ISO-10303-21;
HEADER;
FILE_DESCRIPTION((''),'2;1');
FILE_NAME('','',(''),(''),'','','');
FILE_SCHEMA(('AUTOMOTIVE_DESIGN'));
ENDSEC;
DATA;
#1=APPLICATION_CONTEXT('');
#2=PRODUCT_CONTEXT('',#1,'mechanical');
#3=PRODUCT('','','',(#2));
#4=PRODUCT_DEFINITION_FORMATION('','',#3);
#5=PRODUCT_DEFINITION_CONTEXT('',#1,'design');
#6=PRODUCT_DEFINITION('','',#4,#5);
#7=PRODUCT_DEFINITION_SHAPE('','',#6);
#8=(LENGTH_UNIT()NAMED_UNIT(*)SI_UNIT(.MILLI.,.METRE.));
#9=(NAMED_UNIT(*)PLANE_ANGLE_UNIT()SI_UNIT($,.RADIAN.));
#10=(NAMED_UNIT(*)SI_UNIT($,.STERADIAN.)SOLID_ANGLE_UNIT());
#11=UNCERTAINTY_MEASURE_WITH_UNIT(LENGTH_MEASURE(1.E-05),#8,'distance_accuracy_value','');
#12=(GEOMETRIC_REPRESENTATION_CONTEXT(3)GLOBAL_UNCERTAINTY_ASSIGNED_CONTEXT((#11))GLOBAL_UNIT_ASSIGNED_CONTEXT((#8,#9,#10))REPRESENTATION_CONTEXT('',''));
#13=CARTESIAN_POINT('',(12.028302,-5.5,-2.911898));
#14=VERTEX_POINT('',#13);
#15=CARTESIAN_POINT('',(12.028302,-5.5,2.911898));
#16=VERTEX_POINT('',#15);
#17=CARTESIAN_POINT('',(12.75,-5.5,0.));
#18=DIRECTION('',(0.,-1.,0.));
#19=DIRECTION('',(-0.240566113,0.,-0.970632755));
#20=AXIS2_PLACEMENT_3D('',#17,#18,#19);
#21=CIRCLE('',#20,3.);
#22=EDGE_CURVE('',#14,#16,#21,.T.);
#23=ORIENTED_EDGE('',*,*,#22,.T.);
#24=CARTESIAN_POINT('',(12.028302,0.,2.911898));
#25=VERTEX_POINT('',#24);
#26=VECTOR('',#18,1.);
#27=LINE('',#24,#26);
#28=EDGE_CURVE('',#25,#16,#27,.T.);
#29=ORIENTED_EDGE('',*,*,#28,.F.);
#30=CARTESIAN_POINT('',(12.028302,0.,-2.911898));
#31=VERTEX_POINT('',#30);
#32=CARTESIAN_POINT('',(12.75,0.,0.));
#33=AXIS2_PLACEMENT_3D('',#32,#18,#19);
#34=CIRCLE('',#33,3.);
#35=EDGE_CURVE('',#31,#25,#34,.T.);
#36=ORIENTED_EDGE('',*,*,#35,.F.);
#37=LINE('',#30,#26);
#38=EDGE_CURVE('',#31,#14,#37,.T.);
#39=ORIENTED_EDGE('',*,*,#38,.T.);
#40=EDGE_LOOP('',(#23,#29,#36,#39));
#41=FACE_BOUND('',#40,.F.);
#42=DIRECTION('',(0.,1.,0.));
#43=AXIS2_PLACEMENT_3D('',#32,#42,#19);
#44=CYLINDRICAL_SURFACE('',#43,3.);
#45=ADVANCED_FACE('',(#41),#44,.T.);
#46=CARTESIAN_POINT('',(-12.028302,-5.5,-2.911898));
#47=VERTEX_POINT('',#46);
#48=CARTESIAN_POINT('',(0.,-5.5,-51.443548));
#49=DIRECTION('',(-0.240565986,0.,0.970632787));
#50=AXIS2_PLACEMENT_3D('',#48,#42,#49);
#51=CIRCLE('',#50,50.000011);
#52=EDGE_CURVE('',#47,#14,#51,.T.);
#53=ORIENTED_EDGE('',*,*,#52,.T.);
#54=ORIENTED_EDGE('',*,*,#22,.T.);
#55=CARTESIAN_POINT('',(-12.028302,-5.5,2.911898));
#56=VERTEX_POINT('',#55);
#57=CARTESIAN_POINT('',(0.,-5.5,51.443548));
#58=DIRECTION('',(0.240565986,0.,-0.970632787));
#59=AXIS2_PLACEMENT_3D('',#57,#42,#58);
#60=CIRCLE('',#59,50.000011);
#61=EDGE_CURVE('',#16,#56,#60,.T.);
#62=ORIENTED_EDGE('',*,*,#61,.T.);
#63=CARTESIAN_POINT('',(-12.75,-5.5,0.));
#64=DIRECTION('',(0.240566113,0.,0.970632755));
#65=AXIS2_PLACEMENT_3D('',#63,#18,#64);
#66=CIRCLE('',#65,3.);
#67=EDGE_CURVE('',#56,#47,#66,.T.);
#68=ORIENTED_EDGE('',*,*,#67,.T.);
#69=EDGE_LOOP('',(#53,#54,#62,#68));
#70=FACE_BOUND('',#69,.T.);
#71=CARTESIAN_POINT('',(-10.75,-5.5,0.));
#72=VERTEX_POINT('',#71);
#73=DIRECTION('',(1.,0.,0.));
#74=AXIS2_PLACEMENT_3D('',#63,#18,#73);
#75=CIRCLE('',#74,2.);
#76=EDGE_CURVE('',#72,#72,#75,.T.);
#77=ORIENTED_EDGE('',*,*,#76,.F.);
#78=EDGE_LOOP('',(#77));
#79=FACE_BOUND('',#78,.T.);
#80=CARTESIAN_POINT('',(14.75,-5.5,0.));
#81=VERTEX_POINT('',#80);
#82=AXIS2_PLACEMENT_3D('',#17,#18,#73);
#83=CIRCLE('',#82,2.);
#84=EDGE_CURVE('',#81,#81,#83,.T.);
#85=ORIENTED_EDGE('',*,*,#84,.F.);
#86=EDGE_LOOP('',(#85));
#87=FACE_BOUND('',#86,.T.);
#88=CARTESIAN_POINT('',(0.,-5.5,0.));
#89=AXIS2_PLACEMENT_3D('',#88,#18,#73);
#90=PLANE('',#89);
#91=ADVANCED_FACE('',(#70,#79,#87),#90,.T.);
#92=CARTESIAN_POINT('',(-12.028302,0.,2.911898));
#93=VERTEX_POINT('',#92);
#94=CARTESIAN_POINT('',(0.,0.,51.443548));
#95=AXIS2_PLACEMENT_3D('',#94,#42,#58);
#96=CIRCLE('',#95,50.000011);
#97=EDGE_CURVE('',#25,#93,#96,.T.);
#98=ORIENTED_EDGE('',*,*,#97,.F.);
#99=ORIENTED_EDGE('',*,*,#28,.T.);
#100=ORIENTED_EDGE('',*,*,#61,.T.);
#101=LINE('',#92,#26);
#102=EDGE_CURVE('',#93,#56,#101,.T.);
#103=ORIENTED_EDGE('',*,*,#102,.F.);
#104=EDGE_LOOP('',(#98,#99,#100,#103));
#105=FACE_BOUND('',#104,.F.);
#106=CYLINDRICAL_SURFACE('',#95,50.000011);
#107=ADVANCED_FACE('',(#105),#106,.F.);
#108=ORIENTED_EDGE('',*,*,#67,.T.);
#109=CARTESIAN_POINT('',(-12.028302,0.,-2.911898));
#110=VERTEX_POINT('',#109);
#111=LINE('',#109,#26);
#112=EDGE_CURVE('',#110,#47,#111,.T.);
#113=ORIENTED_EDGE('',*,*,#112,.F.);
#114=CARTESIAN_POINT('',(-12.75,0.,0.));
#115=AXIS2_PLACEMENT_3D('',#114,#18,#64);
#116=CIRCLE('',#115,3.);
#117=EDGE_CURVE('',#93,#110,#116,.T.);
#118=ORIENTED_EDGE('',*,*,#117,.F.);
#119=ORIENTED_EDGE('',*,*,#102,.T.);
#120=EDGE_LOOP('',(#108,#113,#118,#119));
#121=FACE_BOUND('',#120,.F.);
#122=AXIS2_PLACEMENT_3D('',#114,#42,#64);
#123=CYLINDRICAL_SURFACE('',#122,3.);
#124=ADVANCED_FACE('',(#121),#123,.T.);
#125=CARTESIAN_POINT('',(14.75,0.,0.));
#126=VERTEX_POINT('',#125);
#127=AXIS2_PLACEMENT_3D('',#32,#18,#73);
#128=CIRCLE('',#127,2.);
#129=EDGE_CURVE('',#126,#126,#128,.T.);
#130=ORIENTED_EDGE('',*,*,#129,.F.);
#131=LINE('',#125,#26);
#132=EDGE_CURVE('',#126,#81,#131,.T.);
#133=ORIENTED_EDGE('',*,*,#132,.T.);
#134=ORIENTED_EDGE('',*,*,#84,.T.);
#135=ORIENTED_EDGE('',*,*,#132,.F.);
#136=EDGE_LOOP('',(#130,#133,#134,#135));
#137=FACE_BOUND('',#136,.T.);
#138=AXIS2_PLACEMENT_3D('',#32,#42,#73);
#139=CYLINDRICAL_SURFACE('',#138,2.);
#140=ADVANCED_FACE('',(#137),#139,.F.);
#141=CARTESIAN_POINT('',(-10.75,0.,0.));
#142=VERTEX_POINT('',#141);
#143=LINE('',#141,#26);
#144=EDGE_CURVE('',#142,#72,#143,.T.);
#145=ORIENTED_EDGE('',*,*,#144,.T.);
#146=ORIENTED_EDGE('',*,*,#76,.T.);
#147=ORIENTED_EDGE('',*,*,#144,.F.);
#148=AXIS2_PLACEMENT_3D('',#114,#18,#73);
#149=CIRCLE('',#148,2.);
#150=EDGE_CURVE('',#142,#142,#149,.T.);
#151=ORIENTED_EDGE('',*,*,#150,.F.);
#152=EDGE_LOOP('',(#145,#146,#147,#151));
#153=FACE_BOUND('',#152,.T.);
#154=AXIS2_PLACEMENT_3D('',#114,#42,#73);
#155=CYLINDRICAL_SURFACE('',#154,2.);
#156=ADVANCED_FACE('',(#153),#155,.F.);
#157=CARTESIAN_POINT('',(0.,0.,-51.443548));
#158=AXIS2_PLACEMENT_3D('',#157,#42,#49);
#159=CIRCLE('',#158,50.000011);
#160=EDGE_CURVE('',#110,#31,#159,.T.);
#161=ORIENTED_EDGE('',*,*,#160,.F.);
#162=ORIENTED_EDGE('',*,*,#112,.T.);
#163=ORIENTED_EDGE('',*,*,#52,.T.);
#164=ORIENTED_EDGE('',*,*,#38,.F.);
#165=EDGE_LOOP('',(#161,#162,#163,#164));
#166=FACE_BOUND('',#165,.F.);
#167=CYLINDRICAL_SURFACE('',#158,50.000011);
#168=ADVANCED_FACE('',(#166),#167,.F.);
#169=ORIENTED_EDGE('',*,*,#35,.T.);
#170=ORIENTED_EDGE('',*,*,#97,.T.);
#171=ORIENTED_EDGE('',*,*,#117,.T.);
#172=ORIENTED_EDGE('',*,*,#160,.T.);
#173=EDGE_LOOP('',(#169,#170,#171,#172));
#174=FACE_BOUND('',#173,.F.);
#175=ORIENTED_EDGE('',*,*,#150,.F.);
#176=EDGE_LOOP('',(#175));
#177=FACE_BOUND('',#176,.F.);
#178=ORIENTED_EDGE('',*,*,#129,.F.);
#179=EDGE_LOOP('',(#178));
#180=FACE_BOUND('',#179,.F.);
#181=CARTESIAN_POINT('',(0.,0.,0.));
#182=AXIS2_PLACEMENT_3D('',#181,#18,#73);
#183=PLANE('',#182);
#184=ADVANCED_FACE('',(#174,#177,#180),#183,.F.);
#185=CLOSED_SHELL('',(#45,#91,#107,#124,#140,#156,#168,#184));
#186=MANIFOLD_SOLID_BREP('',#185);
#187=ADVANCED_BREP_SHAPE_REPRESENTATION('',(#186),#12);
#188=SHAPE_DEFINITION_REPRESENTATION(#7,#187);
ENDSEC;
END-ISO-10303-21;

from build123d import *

# Parameters (mm, degrees)
F0_R     = 2
F1_DEPTH = 5.5


with BuildPart() as f1:
    # F0 (on Front) → F1 (new body)
    with BuildSketch(Plane.XZ):
        with BuildLine():
            ThreePointArc((-12.028302, -2.911898), (0, -1.443537), (12.028302, -2.911898))
            ThreePointArc((12.028302, -2.911898), (15.75, 0), (12.028302, 2.911898))
            ThreePointArc((12.028302, 2.911898), (0, 1.443537), (-12.028302, 2.911898))
            ThreePointArc((-12.028302, 2.911898), (-15.75, 0), (-12.028302, -2.911898))
        make_face()
        with Locations((-12.75, 0)):
            Circle(F0_R, mode=Mode.SUBTRACT)
        with Locations((12.75, 0)):
            Circle(F0_R, mode=Mode.SUBTRACT)
    extrude(amount=F1_DEPTH)


solid = f1.part
